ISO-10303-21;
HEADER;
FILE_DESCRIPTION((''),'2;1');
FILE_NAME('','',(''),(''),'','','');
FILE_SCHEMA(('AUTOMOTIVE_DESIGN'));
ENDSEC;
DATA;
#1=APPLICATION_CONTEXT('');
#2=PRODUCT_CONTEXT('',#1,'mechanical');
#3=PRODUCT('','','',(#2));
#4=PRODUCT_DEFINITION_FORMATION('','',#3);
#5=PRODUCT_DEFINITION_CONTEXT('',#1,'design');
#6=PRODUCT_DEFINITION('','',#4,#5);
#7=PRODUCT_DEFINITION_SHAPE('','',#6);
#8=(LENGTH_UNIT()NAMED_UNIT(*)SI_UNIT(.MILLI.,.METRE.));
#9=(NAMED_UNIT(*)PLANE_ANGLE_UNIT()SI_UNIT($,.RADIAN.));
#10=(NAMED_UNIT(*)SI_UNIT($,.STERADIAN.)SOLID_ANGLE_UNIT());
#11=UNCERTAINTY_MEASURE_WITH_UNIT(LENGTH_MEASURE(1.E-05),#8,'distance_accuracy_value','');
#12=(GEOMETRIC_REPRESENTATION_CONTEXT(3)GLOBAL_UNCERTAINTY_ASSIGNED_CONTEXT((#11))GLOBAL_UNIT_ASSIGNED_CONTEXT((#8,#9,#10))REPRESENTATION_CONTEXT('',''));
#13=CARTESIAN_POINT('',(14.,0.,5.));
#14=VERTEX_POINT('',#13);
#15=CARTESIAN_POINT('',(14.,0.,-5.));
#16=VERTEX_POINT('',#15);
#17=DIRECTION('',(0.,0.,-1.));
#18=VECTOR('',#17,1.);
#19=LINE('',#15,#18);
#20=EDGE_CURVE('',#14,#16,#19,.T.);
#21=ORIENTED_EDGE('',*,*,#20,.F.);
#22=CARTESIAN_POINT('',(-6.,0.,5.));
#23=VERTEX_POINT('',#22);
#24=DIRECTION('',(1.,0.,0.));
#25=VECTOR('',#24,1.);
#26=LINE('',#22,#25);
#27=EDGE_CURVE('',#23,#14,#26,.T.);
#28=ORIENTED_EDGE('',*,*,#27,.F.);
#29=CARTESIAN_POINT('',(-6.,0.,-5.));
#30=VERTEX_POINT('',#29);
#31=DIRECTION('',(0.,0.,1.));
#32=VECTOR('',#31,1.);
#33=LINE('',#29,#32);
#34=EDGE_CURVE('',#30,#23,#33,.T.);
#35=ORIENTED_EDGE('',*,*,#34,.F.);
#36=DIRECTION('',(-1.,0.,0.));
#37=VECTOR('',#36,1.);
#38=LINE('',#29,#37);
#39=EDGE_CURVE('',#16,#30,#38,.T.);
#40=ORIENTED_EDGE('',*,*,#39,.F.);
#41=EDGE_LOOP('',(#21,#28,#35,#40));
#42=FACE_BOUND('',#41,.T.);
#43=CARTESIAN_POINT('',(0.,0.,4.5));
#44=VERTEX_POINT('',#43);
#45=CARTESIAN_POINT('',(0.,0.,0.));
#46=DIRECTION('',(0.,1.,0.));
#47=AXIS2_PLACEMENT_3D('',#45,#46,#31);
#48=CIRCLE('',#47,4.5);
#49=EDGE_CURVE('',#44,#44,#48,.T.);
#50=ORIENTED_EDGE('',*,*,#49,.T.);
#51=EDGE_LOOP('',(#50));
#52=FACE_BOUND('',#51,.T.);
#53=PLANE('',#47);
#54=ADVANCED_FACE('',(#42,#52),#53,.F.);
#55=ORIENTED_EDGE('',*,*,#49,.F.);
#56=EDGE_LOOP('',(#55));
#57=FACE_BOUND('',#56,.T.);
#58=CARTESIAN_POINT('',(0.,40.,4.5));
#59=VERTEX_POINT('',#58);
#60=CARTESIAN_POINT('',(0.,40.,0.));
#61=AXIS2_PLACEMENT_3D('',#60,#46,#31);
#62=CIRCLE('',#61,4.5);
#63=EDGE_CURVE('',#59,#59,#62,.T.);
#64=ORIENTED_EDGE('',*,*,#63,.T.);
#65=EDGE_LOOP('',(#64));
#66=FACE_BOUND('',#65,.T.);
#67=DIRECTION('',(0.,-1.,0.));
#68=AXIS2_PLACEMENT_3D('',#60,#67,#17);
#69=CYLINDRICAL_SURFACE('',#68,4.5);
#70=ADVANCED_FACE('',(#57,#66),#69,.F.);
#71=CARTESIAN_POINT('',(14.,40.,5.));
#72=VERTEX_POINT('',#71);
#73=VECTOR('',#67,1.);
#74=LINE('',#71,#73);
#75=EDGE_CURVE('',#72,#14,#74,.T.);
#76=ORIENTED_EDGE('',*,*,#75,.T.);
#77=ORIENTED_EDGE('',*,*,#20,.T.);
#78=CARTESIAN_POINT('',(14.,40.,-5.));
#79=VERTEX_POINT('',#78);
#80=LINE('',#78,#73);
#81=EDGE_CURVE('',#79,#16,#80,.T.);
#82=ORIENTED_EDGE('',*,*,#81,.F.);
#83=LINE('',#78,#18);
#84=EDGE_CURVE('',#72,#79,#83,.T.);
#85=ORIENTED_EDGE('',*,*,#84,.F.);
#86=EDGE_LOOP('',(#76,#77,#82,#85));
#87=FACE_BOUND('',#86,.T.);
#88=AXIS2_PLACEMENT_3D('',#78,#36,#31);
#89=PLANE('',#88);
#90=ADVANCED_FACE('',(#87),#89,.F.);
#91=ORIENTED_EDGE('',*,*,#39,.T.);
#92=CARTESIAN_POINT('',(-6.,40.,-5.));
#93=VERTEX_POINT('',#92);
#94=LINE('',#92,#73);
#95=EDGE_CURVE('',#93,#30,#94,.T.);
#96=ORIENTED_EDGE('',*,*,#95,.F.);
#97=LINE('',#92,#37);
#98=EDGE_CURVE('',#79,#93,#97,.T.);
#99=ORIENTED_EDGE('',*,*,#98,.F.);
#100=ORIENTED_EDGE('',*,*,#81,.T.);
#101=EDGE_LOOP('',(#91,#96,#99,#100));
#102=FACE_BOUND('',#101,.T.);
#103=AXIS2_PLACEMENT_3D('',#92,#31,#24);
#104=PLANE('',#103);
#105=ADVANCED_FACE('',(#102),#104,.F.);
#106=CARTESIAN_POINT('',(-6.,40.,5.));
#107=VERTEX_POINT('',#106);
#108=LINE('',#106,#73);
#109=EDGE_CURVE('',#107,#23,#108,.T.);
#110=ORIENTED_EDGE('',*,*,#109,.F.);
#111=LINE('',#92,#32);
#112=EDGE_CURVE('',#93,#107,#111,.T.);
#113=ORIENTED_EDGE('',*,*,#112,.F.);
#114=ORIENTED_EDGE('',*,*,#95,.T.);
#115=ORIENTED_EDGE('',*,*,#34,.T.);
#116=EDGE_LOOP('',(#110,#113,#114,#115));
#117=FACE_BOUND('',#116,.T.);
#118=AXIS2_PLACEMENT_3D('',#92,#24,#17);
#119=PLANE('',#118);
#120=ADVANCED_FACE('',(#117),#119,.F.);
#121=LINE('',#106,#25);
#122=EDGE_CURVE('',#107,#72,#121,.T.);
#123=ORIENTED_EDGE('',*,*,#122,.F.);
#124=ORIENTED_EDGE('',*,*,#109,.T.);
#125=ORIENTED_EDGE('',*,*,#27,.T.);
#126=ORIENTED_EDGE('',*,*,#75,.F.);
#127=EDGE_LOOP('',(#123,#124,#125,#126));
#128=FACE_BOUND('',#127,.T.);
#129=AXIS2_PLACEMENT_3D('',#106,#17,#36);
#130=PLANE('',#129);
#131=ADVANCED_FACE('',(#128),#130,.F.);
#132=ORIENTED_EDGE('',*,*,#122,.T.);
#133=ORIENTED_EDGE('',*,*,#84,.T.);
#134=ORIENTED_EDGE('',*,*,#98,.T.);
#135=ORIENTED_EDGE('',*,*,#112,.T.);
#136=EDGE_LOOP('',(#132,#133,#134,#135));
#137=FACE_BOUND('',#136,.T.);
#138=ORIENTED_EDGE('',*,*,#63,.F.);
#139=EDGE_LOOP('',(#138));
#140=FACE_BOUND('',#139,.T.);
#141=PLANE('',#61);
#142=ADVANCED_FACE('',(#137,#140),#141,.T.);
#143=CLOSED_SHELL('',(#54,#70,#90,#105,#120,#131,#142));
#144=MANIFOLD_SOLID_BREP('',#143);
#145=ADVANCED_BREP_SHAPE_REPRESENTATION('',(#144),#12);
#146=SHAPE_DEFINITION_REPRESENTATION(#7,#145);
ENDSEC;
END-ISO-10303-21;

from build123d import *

# Parameters (mm, degrees)
SKETCH1_W           = 20
SKETCH1_H           = 10
SKETCH1_R           = 4.5
BOSS_EXTRUDE1_DEPTH = 40


with BuildPart() as part:
    # Sketch1 → Boss-Extrude1 (new body)
    with BuildSketch(Plane(origin=(0, 0, 0), x_dir=(1, 0, 0), z_dir=(0, 1, 0))):
        with Locations((4, 0)):
            Rectangle(SKETCH1_W, SKETCH1_H)
        Circle(SKETCH1_R, mode=Mode.SUBTRACT)
    extrude(amount=BOSS_EXTRUDE1_DEPTH)


solid = part.part
